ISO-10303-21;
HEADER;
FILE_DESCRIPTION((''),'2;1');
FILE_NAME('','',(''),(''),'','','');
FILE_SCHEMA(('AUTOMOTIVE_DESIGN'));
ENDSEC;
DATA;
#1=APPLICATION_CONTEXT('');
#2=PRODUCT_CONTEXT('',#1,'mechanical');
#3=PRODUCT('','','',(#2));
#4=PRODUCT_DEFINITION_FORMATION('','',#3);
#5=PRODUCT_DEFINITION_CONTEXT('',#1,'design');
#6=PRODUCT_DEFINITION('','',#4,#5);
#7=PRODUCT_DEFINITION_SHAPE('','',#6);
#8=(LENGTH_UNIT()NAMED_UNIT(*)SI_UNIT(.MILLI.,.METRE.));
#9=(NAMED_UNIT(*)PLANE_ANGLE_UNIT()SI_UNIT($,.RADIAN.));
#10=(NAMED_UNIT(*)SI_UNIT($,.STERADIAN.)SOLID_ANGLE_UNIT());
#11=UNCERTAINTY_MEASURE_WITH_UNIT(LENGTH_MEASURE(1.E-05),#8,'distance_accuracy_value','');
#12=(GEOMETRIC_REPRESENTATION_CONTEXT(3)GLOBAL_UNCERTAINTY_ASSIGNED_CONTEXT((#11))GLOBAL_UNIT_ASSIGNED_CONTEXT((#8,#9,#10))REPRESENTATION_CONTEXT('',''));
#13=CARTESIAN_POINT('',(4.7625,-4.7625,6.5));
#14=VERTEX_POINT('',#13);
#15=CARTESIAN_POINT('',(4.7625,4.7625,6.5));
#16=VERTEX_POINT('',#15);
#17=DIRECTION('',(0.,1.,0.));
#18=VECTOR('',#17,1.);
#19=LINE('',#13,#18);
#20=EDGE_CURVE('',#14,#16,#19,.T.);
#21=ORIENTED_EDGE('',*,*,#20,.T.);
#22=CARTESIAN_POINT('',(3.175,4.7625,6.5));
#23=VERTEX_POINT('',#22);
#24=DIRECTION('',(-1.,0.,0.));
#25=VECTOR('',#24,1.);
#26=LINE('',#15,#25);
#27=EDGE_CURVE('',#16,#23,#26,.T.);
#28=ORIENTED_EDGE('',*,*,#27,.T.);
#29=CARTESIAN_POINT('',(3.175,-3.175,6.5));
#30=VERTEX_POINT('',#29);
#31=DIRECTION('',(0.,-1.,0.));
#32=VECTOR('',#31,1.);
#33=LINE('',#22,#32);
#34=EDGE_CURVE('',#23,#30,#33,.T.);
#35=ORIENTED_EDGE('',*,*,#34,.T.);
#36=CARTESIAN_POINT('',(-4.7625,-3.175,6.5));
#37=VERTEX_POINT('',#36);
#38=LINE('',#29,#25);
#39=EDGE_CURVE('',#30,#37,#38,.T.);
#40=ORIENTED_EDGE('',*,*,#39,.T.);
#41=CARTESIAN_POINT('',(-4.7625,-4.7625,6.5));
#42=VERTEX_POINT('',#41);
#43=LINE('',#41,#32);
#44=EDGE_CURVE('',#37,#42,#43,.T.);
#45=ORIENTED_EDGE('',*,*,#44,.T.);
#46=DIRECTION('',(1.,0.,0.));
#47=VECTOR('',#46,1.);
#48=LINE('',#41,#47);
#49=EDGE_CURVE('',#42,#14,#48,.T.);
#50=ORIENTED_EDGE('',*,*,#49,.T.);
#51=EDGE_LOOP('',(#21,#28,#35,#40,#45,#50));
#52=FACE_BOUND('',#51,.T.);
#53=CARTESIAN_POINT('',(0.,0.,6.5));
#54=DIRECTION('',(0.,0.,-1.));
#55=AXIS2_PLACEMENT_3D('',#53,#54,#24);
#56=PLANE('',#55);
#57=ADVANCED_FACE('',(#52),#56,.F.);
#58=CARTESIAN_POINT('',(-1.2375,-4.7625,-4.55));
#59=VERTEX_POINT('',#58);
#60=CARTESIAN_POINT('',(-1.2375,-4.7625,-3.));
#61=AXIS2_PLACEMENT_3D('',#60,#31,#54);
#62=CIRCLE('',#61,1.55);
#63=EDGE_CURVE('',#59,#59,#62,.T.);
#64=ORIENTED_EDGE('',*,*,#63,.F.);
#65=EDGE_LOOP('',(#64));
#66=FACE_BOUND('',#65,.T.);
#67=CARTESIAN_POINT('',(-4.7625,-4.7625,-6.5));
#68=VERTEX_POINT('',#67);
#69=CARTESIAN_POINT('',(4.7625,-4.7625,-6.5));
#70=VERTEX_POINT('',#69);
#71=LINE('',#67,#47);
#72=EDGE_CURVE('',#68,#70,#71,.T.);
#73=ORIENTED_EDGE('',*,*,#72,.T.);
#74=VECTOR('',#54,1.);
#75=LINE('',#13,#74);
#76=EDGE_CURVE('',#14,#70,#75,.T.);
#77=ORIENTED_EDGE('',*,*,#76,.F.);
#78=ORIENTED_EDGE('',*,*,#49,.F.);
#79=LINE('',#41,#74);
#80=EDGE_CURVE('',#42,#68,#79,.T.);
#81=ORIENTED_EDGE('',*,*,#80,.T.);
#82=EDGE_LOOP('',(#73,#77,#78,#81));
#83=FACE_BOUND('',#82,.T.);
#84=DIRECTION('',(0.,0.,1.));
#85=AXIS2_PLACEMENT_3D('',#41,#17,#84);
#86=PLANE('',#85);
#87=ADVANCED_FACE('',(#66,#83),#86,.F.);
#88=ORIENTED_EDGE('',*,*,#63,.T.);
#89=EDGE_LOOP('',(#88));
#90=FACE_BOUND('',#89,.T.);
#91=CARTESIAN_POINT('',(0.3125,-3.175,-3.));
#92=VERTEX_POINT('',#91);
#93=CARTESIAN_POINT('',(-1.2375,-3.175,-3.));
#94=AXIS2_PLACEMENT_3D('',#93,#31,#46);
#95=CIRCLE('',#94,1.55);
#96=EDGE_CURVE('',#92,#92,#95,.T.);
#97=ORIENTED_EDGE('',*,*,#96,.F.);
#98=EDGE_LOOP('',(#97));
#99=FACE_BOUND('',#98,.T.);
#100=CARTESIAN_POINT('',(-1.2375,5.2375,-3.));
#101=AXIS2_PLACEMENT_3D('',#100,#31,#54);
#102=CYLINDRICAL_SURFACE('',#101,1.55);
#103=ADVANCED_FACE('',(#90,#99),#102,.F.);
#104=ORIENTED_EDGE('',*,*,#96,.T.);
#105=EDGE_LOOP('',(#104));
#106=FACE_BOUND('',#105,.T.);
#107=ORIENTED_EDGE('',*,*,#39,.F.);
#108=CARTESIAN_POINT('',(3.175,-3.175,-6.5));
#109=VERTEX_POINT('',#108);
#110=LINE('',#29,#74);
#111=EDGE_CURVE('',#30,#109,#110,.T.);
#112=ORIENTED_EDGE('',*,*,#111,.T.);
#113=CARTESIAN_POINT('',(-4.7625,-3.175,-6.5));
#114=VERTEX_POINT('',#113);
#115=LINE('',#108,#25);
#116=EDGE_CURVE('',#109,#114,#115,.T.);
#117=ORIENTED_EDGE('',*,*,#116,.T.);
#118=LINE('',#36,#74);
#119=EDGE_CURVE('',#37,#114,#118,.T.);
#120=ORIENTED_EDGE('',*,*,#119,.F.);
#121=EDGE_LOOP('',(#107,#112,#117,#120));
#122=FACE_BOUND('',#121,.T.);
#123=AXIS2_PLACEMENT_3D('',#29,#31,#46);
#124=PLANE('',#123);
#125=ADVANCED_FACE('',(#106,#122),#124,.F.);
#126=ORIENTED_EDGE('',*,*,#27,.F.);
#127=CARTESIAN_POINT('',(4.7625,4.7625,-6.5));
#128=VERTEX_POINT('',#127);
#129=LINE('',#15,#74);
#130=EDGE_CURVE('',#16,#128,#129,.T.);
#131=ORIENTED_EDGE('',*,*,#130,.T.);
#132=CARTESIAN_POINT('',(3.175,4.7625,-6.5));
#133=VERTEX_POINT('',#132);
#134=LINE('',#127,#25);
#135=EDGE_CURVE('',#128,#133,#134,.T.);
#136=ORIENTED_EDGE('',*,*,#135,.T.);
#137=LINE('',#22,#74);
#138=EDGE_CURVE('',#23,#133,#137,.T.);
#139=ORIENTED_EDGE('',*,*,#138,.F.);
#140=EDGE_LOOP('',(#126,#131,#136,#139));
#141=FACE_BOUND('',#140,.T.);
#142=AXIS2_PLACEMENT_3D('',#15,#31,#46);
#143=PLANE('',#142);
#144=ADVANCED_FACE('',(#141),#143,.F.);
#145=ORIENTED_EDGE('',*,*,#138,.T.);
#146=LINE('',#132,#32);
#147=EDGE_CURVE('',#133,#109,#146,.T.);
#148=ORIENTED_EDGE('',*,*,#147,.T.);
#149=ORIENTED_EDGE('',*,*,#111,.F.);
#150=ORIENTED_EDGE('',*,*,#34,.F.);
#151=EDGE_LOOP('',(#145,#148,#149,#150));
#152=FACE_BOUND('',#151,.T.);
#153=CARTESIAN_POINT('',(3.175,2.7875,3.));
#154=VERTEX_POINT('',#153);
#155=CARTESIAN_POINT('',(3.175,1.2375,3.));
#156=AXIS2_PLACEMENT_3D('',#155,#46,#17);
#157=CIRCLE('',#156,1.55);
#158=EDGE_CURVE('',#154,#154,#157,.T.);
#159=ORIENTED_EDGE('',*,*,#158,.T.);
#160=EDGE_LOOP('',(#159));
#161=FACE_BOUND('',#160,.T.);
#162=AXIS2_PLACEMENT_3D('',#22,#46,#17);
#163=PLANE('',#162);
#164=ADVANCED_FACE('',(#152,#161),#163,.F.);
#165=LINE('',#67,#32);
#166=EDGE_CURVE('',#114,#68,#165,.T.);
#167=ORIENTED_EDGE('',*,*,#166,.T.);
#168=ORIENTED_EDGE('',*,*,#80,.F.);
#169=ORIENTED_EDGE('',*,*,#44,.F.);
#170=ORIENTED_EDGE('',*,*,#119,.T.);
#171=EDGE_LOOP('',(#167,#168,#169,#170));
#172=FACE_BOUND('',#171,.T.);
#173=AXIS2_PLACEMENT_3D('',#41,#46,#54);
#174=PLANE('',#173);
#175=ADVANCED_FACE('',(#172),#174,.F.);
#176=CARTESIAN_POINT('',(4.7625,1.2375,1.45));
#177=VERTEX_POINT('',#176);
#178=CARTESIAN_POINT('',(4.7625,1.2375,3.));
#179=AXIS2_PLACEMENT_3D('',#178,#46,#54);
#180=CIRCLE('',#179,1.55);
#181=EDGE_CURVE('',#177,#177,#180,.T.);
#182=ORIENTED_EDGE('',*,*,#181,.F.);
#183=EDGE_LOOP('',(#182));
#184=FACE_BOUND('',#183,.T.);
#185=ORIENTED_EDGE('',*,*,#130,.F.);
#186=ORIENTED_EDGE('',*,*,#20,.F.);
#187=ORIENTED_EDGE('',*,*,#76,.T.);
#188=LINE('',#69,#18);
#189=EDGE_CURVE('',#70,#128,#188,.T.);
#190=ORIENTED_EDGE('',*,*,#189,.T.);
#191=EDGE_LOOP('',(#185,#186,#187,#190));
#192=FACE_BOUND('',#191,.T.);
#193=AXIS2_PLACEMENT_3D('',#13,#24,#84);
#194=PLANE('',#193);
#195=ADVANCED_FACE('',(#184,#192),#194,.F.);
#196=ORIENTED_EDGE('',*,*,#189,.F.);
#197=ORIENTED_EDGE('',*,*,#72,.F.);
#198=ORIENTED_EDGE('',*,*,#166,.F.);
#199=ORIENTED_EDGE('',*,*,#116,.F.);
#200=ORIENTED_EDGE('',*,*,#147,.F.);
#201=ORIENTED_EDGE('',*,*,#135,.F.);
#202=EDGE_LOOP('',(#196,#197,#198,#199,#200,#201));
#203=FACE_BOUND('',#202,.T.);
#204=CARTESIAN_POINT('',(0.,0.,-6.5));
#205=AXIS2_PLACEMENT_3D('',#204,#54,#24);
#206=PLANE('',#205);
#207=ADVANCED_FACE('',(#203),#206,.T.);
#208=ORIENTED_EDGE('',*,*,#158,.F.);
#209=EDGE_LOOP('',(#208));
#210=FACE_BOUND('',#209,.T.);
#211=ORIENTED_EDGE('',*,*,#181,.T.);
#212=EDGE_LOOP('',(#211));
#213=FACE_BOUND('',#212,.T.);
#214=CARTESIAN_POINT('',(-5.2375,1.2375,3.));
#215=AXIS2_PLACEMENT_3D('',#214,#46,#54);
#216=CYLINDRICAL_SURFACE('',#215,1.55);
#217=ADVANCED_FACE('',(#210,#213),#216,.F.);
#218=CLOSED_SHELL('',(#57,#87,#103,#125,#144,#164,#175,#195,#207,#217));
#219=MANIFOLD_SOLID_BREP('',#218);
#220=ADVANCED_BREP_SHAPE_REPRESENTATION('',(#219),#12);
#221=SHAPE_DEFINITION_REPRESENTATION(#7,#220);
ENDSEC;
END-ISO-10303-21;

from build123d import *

# Parameters (mm, degrees)
BOSS_EXTRUDE1_DEPTH = 6.5
SKETCH4_R           = 1.55
CUT_EXTRUDE1_DEPTH  = 10
SKETCH5_R           = 1.55
CUT_EXTRUDE2_DEPTH  = 10


with BuildPart() as part:
    # Sketch3 → Boss-Extrude1 (new body, symmetric)
    with BuildSketch(Plane.XY):
        Polygon((3.175, -3.175), (-4.7625, -3.175), (-4.7625, -4.7625), (4.7625, -4.7625), (4.7625, 4.7625), (3.175, 4.7625), align=None)
    extrude(amount=BOSS_EXTRUDE1_DEPTH, both=True)

    # Sketch4 → Cut-Extrude1 (cut)
    with BuildSketch(Plane(origin=(4.7625, 0, 0), x_dir=(0, 0, -1), z_dir=(1, 0, 0))):
        with Locations((-3, 1.2375)):
            Circle(SKETCH4_R)
    extrude(amount=-CUT_EXTRUDE1_DEPTH, mode=Mode.SUBTRACT)

    # Sketch5 → Cut-Extrude2 (cut)
    with BuildSketch(Plane.XZ.offset(4.7625)):
        with Locations((-1.2375, -3)):
            Circle(SKETCH5_R)
    extrude(amount=-CUT_EXTRUDE2_DEPTH, mode=Mode.SUBTRACT)


solid = part.part
